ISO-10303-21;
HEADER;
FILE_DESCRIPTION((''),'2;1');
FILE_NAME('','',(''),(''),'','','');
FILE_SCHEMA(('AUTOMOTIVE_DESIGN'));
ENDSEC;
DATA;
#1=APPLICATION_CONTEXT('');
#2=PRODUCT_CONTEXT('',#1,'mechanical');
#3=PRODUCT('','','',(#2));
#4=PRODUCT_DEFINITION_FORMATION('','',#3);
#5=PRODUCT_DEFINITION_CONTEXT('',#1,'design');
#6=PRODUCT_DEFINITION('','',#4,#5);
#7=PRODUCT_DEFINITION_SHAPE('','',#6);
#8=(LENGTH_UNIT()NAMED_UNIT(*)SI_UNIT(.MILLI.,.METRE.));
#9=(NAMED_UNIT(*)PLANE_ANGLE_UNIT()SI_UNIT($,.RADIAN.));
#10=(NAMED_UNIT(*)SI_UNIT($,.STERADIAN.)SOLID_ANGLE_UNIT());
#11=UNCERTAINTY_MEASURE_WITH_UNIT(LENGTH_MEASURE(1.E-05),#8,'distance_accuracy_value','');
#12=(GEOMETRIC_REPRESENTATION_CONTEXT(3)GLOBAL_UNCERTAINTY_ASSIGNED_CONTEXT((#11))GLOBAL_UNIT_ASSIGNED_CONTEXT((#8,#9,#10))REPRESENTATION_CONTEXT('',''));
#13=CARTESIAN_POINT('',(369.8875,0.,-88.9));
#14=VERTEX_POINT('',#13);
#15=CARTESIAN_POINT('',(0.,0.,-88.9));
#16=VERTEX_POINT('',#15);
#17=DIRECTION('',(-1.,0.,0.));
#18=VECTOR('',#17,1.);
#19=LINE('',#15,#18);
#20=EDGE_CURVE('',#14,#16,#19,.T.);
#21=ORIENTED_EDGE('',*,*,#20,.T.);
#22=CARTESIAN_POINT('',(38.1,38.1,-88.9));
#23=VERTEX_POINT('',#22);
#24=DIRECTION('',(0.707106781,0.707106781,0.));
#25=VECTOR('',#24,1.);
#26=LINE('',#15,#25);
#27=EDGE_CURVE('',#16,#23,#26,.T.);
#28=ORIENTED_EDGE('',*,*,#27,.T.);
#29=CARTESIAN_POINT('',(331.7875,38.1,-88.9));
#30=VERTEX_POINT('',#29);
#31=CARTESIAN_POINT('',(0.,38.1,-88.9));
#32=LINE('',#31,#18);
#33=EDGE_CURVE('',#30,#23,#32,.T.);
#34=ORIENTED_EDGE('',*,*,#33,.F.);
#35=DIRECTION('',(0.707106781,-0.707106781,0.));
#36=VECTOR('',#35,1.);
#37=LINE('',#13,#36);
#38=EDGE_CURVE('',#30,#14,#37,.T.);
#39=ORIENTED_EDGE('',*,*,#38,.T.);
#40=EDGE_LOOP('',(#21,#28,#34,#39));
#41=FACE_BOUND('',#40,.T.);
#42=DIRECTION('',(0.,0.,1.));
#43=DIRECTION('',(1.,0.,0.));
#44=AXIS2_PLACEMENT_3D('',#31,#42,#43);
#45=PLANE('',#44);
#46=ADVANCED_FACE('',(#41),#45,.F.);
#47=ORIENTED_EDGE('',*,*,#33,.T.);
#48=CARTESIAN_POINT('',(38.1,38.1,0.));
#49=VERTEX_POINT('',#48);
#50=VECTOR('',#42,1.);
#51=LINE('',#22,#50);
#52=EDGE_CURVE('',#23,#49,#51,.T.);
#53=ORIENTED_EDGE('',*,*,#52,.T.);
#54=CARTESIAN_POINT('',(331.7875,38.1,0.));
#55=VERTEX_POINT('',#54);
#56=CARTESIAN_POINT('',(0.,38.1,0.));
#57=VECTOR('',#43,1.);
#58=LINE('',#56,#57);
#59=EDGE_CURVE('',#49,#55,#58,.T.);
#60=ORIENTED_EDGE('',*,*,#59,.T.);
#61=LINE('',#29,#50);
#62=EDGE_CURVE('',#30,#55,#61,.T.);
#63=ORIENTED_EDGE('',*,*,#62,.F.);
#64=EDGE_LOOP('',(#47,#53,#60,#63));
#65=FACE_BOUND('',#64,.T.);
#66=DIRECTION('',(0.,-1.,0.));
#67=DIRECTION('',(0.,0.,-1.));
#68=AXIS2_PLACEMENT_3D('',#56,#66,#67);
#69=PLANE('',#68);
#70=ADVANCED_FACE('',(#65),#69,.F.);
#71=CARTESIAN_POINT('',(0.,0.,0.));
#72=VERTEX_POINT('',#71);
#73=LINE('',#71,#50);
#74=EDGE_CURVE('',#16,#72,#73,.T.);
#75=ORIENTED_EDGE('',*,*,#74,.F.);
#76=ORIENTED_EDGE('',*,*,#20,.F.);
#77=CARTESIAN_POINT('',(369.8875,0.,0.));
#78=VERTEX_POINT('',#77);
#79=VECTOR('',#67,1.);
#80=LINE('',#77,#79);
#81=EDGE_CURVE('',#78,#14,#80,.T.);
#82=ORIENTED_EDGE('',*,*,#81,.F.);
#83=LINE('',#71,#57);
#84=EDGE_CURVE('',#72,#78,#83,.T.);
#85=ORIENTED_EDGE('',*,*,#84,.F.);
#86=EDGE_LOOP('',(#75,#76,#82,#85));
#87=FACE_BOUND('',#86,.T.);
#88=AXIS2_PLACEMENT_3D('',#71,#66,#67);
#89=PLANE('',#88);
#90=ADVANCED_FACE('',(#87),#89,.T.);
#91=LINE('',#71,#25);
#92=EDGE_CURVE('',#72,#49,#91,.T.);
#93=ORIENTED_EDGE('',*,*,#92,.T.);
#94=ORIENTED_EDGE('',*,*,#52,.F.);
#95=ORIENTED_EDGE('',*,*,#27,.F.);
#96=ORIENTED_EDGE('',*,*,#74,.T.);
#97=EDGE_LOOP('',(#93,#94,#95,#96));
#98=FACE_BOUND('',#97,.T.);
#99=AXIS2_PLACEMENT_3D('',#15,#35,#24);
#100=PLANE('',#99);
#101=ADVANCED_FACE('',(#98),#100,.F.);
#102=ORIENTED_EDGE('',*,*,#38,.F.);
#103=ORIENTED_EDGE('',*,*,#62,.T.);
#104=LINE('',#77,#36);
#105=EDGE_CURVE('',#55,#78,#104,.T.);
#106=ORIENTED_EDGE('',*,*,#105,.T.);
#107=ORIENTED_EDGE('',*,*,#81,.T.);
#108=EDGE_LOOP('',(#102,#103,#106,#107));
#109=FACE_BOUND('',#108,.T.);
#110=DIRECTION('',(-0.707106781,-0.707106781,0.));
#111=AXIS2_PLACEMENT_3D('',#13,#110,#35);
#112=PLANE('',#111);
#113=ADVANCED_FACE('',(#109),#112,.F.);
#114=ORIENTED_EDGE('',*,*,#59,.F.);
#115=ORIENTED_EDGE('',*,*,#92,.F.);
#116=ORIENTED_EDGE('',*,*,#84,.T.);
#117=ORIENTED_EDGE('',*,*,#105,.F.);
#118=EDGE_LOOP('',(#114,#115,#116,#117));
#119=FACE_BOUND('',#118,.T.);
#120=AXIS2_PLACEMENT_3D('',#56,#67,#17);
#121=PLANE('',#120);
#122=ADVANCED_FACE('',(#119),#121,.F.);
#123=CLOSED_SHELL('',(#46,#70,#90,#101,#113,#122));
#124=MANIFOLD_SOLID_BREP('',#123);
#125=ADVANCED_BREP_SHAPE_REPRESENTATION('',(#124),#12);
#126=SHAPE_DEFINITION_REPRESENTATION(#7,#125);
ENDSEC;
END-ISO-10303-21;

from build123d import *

# Parameters (mm, degrees)
SKETCH1_W           = 369.8875
SKETCH1_H           = 88.9
BOSS_EXTRUDE1_DEPTH = 38.1
CUT_EXTRUDE1_DEPTH  = 89.9


with BuildPart() as part:
    # Sketch1 → Boss-Extrude1 (new body)
    with BuildSketch(Plane(origin=(0, 0, 0), x_dir=(1, 0, 0), z_dir=(0, 1, 0))):
        with Locations((184.94375, 44.45)):
            Rectangle(SKETCH1_W, SKETCH1_H)
    extrude(amount=BOSS_EXTRUDE1_DEPTH)

    # Sketch2 → Cut-Extrude1 (cut, through all)
    with BuildSketch(Plane.XY):
        Polygon((0, 0), (38.1, 38.1), (0, 38.1), align=None)
        Polygon((369.8875, 0), (331.7875, 38.1), (369.8875, 38.1), align=None)
    extrude(amount=-CUT_EXTRUDE1_DEPTH, mode=Mode.SUBTRACT)


solid = part.part
